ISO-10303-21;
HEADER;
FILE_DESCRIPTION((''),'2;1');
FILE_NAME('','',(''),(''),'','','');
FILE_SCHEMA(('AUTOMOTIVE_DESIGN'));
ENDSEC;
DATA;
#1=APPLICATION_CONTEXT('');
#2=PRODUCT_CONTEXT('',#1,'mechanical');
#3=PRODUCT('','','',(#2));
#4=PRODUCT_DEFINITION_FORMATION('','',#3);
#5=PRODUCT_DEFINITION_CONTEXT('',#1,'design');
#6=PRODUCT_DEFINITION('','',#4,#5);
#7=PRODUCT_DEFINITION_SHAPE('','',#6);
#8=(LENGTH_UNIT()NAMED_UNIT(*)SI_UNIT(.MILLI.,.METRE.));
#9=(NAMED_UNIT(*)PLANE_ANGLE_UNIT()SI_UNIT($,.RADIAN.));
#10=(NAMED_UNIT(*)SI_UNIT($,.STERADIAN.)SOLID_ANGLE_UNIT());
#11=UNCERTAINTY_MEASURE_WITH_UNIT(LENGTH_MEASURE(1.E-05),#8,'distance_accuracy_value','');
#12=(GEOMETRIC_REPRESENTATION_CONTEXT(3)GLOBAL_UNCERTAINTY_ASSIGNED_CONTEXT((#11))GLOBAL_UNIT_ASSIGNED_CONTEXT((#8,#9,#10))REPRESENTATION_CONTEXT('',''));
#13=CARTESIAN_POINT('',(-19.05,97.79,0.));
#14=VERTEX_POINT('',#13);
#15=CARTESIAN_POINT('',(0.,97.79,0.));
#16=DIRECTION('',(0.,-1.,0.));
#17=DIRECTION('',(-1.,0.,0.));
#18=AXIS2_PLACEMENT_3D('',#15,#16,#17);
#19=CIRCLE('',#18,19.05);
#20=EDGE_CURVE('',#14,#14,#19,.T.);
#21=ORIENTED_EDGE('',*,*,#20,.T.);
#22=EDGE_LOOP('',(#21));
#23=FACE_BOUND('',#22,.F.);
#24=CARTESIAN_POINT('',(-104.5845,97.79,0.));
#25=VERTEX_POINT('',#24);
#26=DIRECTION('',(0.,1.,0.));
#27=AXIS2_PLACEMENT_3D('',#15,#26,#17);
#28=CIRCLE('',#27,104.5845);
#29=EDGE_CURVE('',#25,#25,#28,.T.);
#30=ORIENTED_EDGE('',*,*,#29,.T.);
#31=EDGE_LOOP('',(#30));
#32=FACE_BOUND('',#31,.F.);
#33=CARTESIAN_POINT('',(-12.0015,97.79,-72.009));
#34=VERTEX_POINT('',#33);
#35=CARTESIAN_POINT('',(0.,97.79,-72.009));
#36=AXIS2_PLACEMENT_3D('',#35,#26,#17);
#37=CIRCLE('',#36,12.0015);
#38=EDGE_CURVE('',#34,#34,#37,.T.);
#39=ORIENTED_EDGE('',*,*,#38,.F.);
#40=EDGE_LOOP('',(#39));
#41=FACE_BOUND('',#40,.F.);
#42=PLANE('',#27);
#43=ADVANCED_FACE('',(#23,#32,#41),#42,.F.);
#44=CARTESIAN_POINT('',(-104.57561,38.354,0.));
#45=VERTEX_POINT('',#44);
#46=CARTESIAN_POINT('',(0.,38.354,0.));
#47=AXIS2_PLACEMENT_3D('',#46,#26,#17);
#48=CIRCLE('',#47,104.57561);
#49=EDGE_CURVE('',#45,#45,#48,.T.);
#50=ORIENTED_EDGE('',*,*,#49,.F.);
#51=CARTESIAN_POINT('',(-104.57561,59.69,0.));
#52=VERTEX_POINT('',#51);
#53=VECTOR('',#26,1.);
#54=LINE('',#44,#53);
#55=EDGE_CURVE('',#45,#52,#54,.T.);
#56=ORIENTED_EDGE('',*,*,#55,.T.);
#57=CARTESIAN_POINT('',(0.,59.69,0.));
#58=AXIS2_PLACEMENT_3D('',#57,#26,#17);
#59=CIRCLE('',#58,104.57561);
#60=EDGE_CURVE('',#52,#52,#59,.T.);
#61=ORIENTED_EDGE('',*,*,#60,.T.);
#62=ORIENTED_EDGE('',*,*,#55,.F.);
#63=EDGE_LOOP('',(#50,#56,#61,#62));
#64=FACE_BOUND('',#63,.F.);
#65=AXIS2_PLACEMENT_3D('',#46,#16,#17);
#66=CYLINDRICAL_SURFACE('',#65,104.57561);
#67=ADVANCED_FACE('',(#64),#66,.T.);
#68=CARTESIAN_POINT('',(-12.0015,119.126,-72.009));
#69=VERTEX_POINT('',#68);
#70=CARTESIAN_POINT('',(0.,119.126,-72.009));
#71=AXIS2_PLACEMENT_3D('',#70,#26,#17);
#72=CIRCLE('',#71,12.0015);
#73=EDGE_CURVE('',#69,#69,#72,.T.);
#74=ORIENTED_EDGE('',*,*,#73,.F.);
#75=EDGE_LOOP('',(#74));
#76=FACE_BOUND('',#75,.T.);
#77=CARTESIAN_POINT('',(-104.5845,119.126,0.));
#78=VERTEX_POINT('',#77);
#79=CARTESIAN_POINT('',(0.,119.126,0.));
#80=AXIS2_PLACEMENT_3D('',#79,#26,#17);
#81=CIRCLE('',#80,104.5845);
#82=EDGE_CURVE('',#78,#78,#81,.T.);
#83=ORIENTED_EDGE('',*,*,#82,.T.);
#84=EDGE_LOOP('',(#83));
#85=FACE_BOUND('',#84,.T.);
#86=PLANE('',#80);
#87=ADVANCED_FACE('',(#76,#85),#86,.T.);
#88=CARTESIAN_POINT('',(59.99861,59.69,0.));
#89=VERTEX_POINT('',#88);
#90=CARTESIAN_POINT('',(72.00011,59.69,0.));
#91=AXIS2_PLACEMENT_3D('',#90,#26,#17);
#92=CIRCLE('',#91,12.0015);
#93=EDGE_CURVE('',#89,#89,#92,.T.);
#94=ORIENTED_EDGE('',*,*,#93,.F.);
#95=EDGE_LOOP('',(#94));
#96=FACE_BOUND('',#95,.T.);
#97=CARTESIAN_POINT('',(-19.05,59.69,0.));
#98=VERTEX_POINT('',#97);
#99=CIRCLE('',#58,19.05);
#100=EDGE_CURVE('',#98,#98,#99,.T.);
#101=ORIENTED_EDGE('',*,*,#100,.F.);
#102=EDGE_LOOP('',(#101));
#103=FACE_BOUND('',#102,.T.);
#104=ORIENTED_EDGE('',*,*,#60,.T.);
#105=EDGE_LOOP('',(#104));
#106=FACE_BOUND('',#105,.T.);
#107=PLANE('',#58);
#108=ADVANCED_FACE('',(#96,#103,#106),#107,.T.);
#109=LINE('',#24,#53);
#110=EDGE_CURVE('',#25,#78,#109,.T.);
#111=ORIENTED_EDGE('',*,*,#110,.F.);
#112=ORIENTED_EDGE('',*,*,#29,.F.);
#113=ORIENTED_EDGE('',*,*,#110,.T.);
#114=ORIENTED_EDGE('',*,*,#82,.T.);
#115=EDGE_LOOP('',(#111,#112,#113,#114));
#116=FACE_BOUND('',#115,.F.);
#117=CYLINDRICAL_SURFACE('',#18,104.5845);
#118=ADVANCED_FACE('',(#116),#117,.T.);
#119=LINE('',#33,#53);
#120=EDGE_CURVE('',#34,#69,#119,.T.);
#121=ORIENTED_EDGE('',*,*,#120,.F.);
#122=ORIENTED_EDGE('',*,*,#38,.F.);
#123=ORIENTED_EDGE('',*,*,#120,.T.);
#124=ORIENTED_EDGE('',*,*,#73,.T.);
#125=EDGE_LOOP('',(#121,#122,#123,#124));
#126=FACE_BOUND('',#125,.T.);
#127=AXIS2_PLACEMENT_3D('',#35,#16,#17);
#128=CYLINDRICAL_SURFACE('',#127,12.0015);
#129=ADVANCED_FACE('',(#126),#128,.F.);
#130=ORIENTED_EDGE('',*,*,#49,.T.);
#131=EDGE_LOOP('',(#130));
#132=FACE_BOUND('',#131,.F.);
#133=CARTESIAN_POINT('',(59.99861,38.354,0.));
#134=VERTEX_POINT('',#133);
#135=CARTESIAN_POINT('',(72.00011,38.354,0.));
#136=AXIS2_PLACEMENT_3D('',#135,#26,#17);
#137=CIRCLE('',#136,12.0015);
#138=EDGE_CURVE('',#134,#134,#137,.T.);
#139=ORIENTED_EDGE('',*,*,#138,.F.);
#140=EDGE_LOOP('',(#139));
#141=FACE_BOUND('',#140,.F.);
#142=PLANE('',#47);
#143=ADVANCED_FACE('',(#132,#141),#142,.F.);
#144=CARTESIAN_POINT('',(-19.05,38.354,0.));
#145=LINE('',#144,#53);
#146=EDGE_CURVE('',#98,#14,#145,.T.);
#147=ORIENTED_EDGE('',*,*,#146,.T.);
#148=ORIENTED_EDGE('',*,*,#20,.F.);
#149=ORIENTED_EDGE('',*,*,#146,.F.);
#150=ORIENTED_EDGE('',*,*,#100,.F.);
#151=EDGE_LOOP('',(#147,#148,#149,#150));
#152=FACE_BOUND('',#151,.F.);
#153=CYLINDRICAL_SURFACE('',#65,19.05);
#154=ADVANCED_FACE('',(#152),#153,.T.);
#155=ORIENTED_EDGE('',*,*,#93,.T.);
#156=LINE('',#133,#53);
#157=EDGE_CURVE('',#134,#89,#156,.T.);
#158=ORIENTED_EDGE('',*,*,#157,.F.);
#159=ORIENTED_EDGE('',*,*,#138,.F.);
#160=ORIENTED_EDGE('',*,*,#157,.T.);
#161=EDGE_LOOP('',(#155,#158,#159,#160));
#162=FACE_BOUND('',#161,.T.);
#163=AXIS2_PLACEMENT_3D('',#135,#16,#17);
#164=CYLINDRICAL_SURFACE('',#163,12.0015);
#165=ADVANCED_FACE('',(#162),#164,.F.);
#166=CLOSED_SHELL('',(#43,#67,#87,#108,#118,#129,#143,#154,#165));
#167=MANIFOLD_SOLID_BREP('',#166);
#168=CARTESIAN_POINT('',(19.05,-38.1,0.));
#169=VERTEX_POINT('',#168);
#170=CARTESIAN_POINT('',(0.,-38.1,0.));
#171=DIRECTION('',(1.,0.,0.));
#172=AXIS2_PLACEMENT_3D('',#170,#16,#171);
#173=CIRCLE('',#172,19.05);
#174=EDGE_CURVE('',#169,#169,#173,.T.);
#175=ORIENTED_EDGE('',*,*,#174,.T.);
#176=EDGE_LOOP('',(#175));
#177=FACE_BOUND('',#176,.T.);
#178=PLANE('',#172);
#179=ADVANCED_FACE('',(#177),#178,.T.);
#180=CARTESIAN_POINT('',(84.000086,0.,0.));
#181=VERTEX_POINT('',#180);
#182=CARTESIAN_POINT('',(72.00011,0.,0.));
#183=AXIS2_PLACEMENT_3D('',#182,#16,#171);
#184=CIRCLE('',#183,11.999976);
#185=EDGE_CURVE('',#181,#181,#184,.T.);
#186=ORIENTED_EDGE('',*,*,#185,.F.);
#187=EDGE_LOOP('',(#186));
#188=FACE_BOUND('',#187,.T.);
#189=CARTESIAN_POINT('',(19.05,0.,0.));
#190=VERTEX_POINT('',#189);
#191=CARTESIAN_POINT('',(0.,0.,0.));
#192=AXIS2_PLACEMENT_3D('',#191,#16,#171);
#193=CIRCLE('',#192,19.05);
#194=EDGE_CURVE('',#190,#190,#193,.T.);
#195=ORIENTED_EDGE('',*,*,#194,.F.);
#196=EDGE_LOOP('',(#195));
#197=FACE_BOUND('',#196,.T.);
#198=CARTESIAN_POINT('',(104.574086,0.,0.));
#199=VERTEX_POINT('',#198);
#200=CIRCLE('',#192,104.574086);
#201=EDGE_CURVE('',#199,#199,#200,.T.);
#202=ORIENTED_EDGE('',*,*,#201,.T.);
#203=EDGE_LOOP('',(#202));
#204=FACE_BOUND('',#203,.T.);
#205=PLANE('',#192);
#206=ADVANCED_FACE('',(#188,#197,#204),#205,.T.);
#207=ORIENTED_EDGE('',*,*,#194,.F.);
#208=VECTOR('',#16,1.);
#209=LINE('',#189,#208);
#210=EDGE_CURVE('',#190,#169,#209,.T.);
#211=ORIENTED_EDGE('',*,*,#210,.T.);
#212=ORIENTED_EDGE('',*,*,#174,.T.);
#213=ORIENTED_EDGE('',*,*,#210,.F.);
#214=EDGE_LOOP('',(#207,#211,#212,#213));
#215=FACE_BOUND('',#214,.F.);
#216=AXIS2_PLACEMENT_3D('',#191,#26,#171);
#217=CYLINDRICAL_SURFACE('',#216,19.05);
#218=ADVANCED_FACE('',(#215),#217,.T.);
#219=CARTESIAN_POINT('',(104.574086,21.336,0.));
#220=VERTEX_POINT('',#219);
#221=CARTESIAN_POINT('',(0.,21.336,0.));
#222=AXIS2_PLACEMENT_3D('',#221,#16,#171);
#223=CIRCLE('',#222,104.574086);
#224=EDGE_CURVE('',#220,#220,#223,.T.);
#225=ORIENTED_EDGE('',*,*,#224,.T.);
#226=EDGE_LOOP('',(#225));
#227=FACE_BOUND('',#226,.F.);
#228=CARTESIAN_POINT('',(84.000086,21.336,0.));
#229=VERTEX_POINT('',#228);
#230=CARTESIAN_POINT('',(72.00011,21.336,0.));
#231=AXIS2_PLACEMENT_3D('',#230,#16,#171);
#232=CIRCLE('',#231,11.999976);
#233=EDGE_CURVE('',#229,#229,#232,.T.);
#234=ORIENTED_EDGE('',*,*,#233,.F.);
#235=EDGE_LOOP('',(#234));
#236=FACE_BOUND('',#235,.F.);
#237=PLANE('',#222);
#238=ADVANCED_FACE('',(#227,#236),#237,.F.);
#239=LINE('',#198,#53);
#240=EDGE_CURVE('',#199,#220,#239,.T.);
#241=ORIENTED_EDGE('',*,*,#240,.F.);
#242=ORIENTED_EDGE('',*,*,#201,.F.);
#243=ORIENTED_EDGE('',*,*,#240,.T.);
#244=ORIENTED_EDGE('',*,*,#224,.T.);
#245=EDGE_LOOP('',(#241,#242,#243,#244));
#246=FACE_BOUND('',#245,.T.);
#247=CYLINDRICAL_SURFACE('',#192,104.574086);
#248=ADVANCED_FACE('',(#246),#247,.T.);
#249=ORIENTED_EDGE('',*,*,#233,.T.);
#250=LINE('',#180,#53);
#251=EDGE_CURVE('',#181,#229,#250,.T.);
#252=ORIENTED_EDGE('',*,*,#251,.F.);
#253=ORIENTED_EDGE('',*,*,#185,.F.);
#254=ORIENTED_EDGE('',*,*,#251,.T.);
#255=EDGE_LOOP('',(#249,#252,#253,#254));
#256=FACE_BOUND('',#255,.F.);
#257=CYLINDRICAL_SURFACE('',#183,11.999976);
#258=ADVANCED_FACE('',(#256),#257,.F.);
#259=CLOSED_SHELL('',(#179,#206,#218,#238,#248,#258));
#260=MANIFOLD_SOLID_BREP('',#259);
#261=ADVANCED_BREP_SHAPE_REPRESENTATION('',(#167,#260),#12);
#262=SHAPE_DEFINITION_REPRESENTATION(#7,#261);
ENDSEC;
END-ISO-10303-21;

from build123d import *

# Parameters (mm, degrees)
F0_R      = 104.574086
F0_R_2    = 11.999976
F1_DEPTH  = 21.336
F2_R      = 19.05
F3_DEPTH  = 38.1
F5_R      = 104.57561
F5_R_2    = 12.0015
F5_R_3    = 19.05
F6_DEPTH  = 21.336
F7_DEPTH  = 80.772
F9_R      = 104.5845
F9_R_2    = 12.0015
F10_DEPTH = 21.336


with BuildPart() as f1:
    # F0 (on Front) → F1 (new body)
    with BuildSketch(Plane.XZ):
        Circle(F0_R)
        with Locations((72.00011, 0)):
            Circle(F0_R_2, mode=Mode.SUBTRACT)
    extrude(amount=-F1_DEPTH)

    # F2 (on face) → F3 (join)
    with BuildSketch(Plane.XZ):
        Circle(F2_R)
    extrude(amount=F3_DEPTH)


with BuildPart() as f6:
    # F5 (on offset) → F6 (new body)
    with BuildSketch(Plane(origin=(0, 38.354, 0), x_dir=(-1, 0, 0), z_dir=(0, 1, 0))):
        Circle(F5_R)
        with Locations((-72.00011, 0)):
            Circle(F5_R_2, mode=Mode.SUBTRACT)
        Circle(F5_R_3, mode=Mode.SUBTRACT)
    extrude(amount=F6_DEPTH)

    # F5 (on offset) → F7 (join)
    with BuildSketch(Plane(origin=(0, 38.354, 0), x_dir=(-1, 0, 0), z_dir=(0, 1, 0))):
        Circle(F5_R_3)
    extrude(amount=F7_DEPTH)

    # F9 (on offset) → F10 (join)
    with BuildSketch(Plane(origin=(0, 97.79, 0), x_dir=(-1, 0, 0), z_dir=(0, 1, 0))):
        Circle(F9_R)
        with Locations((0, -72.009)):
            Circle(F9_R_2, mode=Mode.SUBTRACT)
    extrude(amount=F10_DEPTH)


solid = Compound([f1.part, f6.part])
